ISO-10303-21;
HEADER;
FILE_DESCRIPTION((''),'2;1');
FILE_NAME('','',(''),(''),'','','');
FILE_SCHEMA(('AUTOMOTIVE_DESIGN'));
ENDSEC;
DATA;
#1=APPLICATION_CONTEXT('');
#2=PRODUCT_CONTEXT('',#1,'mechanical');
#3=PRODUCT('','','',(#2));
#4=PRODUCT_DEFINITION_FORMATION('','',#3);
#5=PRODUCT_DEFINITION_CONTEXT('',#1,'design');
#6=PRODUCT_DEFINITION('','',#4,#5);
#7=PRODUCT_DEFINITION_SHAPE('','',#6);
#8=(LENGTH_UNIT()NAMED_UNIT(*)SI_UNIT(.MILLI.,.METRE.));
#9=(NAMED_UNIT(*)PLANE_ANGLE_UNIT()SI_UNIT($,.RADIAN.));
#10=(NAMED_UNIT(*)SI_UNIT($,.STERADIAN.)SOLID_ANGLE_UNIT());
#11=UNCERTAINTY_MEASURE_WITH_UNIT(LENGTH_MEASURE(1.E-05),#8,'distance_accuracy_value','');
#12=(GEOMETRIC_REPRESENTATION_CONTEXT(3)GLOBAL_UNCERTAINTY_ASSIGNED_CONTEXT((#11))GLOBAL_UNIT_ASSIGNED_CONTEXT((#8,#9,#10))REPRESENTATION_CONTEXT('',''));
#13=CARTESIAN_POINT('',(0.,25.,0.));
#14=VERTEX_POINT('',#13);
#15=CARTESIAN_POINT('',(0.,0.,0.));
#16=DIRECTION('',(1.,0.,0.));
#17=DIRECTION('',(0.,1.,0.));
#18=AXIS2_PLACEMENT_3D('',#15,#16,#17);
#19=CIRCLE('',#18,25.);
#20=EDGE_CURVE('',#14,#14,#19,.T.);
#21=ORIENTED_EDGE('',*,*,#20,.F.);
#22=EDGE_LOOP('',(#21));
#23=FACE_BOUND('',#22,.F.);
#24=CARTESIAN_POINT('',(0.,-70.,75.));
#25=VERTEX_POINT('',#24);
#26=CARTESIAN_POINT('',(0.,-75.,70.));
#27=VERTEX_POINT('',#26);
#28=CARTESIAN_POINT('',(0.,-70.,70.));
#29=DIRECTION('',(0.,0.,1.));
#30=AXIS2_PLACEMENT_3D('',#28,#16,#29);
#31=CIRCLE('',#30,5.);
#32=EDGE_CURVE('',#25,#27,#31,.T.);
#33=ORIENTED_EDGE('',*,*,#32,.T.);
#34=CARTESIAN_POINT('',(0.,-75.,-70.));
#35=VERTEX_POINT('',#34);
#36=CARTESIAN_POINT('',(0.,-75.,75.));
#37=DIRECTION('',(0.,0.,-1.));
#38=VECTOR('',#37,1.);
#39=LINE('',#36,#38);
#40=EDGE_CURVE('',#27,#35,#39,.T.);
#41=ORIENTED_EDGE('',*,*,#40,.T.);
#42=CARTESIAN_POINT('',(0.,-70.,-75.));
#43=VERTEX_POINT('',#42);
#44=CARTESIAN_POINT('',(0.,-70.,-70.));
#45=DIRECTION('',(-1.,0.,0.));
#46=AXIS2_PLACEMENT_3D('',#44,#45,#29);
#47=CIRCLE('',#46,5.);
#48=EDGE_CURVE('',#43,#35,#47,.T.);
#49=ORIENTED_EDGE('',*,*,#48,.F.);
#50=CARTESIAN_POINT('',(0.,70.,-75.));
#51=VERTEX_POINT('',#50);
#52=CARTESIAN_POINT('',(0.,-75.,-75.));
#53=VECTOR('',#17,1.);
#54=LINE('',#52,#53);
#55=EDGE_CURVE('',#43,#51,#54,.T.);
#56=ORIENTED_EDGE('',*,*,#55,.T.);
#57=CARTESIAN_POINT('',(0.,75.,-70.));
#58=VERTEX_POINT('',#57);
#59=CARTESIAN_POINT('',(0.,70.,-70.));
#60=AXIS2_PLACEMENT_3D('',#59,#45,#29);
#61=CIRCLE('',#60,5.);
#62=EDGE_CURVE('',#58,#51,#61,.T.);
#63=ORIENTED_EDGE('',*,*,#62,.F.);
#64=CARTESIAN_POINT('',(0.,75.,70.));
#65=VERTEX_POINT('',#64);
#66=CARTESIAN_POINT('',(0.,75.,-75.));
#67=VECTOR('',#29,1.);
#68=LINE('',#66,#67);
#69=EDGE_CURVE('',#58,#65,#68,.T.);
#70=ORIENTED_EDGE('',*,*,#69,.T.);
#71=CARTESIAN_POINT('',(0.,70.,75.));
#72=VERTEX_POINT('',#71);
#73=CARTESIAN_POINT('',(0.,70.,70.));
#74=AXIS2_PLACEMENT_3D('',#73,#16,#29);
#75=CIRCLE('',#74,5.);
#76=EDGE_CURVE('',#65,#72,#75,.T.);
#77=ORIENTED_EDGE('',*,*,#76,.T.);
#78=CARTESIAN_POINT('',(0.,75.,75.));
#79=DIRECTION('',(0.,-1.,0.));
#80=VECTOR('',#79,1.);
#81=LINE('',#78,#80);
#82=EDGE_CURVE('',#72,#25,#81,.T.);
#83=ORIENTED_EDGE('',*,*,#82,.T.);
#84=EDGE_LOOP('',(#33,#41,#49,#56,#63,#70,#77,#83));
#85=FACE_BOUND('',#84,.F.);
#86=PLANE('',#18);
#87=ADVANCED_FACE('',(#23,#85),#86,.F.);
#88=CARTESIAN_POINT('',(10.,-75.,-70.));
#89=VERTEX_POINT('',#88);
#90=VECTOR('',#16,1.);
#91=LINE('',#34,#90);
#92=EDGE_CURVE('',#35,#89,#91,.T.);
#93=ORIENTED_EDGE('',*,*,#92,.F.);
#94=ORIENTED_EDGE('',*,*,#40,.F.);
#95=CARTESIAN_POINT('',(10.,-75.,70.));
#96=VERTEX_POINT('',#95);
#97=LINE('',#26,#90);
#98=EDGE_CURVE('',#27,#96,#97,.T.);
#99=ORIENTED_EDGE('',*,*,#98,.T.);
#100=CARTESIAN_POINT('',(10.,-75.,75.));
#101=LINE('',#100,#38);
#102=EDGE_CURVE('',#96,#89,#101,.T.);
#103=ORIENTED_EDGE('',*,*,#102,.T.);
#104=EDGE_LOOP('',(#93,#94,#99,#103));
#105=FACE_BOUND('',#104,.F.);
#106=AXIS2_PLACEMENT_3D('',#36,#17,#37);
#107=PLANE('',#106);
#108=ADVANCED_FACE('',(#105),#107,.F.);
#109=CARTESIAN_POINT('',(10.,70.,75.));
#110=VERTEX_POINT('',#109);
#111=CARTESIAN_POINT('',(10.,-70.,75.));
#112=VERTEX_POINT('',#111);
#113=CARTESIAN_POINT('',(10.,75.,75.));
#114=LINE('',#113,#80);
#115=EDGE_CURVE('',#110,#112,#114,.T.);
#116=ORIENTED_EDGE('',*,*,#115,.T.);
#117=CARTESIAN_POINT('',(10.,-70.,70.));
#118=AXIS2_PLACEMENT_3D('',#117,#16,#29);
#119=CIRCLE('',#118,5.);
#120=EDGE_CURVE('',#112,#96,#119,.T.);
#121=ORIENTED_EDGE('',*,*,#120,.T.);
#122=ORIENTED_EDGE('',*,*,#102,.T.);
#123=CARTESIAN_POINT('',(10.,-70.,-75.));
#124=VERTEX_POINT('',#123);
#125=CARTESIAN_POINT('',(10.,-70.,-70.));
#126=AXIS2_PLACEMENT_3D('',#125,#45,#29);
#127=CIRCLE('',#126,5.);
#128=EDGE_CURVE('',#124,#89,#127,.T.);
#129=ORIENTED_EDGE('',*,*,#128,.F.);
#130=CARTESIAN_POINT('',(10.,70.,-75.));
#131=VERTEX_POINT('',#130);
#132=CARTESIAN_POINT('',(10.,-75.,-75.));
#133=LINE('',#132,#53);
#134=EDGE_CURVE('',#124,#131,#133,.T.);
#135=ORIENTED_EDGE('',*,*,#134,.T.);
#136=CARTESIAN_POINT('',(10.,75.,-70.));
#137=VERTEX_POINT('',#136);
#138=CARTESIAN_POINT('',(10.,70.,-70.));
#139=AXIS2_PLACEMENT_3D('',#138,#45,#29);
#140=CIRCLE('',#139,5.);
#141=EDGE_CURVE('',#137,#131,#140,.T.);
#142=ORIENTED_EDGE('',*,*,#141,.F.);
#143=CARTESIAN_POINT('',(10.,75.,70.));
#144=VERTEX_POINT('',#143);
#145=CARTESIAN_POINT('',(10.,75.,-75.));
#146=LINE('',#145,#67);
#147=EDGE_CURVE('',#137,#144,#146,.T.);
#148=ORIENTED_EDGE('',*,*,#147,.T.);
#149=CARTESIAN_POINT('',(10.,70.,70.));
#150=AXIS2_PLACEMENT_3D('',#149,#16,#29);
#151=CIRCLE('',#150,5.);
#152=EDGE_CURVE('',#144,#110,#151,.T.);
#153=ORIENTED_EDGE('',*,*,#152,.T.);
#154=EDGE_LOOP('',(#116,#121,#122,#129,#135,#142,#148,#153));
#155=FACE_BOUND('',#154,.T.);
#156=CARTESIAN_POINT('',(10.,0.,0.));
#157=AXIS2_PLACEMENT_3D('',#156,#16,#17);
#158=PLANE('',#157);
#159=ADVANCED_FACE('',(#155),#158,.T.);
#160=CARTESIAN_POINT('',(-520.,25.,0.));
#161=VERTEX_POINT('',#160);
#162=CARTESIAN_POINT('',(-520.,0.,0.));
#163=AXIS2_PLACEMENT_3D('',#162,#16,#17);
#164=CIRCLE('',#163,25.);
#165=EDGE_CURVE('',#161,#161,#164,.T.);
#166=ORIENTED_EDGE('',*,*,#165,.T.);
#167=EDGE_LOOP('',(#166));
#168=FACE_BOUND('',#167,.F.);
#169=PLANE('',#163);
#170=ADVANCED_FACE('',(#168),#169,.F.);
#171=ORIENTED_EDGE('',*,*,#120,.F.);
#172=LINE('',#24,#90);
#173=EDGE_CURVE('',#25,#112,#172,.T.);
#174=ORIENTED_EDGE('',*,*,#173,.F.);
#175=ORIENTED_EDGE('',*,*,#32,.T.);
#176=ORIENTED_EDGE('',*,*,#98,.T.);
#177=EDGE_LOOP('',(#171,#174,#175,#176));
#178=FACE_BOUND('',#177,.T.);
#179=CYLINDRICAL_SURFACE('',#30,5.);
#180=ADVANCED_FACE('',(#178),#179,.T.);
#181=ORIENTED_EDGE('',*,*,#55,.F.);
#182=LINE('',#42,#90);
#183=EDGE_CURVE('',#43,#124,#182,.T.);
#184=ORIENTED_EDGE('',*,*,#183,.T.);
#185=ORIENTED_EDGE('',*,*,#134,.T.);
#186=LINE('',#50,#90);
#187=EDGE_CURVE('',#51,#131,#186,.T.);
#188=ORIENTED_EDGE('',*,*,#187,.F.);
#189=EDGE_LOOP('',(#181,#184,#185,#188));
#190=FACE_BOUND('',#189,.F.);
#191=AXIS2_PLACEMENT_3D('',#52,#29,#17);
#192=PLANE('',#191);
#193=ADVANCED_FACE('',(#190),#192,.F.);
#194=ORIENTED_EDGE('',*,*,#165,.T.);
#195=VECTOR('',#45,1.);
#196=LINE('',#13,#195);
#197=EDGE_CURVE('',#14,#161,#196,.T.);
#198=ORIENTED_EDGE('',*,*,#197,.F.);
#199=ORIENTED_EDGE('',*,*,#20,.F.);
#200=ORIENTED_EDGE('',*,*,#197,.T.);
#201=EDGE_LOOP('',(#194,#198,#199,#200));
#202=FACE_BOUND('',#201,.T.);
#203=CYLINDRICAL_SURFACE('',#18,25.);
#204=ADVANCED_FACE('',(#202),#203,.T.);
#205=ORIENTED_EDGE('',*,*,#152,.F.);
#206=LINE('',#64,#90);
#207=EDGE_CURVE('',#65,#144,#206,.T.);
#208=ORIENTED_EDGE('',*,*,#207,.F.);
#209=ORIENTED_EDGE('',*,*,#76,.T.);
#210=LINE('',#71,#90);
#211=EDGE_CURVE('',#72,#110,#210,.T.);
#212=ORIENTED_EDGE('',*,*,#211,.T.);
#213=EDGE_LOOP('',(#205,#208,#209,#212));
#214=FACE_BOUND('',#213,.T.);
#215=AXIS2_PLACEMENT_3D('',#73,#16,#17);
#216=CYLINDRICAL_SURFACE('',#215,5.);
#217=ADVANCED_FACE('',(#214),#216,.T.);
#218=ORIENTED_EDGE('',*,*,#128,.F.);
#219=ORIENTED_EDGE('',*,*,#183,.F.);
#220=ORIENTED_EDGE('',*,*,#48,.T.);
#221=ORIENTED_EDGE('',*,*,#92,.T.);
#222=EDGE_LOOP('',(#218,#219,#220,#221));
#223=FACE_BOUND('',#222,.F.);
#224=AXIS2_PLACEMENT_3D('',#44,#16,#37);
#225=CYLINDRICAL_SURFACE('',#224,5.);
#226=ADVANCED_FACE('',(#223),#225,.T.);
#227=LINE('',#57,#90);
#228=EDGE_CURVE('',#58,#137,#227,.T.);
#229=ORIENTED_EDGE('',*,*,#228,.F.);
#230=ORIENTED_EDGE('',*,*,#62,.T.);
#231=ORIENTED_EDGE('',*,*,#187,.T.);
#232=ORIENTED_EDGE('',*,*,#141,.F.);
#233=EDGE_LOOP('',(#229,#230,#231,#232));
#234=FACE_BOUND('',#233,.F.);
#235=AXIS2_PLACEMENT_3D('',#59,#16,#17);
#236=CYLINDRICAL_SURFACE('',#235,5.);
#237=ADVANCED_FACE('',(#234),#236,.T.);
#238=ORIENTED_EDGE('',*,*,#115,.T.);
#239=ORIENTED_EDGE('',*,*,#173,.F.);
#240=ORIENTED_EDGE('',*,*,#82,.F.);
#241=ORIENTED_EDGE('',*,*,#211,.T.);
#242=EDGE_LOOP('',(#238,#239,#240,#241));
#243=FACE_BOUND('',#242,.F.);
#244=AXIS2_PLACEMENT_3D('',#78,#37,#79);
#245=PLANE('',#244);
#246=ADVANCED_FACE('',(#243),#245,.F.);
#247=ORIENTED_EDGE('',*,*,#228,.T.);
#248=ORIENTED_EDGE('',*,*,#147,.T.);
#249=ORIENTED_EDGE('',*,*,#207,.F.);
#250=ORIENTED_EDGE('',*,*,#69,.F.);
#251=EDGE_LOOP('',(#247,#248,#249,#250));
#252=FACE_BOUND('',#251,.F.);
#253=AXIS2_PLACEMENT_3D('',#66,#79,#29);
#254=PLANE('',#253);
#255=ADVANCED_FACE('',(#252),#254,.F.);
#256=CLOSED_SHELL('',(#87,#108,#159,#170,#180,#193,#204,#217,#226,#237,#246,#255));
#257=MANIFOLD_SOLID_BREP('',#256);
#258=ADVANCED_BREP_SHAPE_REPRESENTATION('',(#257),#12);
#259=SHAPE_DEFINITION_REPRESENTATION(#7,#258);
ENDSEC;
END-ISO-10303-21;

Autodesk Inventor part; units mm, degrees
ref_plane "YZ Plane" through (0, 0, 0) normal (1, 0, 0) x (0, 1, 0)
ref_plane "XZ Plane" through (0, 0, 0) normal (0, 1, 0) x (-1, 0, 0)
ref_plane "XY Plane" through (0, 0, 0) normal (0, 0, 1) x (1, 0, 0)
sketch "Sketch1" plane through (0, 0, 0) normal (1, 0, 0) x (0, 1, 0)
  circle A0 centre (0, 0) radius 25
  line L0 (75, 75) -> (-75, 75)
  line L1 (-75, 75) -> (-75, -75)
  line L2 (-75, -75) -> (75, -75)
  line L3 (75, -75) -> (75, 75)
  dimension "d0" = 50
  dimension "d1" = 150
  dimension "d2" = 150
extrude "Extrusion1" add sketch "Sketch1" along normal blind 10 contours A0 | L3 L2 L1 L0
extrude "Extrusion2" add sketch "Sketch1" against normal blind 520 contours A0
fillet "Fillet1" radius 5 4 edges at (5, 75, -75) (5, 75, 75) (5, -75, -75) (5, -75, 75)
properties part number "Embolo"
